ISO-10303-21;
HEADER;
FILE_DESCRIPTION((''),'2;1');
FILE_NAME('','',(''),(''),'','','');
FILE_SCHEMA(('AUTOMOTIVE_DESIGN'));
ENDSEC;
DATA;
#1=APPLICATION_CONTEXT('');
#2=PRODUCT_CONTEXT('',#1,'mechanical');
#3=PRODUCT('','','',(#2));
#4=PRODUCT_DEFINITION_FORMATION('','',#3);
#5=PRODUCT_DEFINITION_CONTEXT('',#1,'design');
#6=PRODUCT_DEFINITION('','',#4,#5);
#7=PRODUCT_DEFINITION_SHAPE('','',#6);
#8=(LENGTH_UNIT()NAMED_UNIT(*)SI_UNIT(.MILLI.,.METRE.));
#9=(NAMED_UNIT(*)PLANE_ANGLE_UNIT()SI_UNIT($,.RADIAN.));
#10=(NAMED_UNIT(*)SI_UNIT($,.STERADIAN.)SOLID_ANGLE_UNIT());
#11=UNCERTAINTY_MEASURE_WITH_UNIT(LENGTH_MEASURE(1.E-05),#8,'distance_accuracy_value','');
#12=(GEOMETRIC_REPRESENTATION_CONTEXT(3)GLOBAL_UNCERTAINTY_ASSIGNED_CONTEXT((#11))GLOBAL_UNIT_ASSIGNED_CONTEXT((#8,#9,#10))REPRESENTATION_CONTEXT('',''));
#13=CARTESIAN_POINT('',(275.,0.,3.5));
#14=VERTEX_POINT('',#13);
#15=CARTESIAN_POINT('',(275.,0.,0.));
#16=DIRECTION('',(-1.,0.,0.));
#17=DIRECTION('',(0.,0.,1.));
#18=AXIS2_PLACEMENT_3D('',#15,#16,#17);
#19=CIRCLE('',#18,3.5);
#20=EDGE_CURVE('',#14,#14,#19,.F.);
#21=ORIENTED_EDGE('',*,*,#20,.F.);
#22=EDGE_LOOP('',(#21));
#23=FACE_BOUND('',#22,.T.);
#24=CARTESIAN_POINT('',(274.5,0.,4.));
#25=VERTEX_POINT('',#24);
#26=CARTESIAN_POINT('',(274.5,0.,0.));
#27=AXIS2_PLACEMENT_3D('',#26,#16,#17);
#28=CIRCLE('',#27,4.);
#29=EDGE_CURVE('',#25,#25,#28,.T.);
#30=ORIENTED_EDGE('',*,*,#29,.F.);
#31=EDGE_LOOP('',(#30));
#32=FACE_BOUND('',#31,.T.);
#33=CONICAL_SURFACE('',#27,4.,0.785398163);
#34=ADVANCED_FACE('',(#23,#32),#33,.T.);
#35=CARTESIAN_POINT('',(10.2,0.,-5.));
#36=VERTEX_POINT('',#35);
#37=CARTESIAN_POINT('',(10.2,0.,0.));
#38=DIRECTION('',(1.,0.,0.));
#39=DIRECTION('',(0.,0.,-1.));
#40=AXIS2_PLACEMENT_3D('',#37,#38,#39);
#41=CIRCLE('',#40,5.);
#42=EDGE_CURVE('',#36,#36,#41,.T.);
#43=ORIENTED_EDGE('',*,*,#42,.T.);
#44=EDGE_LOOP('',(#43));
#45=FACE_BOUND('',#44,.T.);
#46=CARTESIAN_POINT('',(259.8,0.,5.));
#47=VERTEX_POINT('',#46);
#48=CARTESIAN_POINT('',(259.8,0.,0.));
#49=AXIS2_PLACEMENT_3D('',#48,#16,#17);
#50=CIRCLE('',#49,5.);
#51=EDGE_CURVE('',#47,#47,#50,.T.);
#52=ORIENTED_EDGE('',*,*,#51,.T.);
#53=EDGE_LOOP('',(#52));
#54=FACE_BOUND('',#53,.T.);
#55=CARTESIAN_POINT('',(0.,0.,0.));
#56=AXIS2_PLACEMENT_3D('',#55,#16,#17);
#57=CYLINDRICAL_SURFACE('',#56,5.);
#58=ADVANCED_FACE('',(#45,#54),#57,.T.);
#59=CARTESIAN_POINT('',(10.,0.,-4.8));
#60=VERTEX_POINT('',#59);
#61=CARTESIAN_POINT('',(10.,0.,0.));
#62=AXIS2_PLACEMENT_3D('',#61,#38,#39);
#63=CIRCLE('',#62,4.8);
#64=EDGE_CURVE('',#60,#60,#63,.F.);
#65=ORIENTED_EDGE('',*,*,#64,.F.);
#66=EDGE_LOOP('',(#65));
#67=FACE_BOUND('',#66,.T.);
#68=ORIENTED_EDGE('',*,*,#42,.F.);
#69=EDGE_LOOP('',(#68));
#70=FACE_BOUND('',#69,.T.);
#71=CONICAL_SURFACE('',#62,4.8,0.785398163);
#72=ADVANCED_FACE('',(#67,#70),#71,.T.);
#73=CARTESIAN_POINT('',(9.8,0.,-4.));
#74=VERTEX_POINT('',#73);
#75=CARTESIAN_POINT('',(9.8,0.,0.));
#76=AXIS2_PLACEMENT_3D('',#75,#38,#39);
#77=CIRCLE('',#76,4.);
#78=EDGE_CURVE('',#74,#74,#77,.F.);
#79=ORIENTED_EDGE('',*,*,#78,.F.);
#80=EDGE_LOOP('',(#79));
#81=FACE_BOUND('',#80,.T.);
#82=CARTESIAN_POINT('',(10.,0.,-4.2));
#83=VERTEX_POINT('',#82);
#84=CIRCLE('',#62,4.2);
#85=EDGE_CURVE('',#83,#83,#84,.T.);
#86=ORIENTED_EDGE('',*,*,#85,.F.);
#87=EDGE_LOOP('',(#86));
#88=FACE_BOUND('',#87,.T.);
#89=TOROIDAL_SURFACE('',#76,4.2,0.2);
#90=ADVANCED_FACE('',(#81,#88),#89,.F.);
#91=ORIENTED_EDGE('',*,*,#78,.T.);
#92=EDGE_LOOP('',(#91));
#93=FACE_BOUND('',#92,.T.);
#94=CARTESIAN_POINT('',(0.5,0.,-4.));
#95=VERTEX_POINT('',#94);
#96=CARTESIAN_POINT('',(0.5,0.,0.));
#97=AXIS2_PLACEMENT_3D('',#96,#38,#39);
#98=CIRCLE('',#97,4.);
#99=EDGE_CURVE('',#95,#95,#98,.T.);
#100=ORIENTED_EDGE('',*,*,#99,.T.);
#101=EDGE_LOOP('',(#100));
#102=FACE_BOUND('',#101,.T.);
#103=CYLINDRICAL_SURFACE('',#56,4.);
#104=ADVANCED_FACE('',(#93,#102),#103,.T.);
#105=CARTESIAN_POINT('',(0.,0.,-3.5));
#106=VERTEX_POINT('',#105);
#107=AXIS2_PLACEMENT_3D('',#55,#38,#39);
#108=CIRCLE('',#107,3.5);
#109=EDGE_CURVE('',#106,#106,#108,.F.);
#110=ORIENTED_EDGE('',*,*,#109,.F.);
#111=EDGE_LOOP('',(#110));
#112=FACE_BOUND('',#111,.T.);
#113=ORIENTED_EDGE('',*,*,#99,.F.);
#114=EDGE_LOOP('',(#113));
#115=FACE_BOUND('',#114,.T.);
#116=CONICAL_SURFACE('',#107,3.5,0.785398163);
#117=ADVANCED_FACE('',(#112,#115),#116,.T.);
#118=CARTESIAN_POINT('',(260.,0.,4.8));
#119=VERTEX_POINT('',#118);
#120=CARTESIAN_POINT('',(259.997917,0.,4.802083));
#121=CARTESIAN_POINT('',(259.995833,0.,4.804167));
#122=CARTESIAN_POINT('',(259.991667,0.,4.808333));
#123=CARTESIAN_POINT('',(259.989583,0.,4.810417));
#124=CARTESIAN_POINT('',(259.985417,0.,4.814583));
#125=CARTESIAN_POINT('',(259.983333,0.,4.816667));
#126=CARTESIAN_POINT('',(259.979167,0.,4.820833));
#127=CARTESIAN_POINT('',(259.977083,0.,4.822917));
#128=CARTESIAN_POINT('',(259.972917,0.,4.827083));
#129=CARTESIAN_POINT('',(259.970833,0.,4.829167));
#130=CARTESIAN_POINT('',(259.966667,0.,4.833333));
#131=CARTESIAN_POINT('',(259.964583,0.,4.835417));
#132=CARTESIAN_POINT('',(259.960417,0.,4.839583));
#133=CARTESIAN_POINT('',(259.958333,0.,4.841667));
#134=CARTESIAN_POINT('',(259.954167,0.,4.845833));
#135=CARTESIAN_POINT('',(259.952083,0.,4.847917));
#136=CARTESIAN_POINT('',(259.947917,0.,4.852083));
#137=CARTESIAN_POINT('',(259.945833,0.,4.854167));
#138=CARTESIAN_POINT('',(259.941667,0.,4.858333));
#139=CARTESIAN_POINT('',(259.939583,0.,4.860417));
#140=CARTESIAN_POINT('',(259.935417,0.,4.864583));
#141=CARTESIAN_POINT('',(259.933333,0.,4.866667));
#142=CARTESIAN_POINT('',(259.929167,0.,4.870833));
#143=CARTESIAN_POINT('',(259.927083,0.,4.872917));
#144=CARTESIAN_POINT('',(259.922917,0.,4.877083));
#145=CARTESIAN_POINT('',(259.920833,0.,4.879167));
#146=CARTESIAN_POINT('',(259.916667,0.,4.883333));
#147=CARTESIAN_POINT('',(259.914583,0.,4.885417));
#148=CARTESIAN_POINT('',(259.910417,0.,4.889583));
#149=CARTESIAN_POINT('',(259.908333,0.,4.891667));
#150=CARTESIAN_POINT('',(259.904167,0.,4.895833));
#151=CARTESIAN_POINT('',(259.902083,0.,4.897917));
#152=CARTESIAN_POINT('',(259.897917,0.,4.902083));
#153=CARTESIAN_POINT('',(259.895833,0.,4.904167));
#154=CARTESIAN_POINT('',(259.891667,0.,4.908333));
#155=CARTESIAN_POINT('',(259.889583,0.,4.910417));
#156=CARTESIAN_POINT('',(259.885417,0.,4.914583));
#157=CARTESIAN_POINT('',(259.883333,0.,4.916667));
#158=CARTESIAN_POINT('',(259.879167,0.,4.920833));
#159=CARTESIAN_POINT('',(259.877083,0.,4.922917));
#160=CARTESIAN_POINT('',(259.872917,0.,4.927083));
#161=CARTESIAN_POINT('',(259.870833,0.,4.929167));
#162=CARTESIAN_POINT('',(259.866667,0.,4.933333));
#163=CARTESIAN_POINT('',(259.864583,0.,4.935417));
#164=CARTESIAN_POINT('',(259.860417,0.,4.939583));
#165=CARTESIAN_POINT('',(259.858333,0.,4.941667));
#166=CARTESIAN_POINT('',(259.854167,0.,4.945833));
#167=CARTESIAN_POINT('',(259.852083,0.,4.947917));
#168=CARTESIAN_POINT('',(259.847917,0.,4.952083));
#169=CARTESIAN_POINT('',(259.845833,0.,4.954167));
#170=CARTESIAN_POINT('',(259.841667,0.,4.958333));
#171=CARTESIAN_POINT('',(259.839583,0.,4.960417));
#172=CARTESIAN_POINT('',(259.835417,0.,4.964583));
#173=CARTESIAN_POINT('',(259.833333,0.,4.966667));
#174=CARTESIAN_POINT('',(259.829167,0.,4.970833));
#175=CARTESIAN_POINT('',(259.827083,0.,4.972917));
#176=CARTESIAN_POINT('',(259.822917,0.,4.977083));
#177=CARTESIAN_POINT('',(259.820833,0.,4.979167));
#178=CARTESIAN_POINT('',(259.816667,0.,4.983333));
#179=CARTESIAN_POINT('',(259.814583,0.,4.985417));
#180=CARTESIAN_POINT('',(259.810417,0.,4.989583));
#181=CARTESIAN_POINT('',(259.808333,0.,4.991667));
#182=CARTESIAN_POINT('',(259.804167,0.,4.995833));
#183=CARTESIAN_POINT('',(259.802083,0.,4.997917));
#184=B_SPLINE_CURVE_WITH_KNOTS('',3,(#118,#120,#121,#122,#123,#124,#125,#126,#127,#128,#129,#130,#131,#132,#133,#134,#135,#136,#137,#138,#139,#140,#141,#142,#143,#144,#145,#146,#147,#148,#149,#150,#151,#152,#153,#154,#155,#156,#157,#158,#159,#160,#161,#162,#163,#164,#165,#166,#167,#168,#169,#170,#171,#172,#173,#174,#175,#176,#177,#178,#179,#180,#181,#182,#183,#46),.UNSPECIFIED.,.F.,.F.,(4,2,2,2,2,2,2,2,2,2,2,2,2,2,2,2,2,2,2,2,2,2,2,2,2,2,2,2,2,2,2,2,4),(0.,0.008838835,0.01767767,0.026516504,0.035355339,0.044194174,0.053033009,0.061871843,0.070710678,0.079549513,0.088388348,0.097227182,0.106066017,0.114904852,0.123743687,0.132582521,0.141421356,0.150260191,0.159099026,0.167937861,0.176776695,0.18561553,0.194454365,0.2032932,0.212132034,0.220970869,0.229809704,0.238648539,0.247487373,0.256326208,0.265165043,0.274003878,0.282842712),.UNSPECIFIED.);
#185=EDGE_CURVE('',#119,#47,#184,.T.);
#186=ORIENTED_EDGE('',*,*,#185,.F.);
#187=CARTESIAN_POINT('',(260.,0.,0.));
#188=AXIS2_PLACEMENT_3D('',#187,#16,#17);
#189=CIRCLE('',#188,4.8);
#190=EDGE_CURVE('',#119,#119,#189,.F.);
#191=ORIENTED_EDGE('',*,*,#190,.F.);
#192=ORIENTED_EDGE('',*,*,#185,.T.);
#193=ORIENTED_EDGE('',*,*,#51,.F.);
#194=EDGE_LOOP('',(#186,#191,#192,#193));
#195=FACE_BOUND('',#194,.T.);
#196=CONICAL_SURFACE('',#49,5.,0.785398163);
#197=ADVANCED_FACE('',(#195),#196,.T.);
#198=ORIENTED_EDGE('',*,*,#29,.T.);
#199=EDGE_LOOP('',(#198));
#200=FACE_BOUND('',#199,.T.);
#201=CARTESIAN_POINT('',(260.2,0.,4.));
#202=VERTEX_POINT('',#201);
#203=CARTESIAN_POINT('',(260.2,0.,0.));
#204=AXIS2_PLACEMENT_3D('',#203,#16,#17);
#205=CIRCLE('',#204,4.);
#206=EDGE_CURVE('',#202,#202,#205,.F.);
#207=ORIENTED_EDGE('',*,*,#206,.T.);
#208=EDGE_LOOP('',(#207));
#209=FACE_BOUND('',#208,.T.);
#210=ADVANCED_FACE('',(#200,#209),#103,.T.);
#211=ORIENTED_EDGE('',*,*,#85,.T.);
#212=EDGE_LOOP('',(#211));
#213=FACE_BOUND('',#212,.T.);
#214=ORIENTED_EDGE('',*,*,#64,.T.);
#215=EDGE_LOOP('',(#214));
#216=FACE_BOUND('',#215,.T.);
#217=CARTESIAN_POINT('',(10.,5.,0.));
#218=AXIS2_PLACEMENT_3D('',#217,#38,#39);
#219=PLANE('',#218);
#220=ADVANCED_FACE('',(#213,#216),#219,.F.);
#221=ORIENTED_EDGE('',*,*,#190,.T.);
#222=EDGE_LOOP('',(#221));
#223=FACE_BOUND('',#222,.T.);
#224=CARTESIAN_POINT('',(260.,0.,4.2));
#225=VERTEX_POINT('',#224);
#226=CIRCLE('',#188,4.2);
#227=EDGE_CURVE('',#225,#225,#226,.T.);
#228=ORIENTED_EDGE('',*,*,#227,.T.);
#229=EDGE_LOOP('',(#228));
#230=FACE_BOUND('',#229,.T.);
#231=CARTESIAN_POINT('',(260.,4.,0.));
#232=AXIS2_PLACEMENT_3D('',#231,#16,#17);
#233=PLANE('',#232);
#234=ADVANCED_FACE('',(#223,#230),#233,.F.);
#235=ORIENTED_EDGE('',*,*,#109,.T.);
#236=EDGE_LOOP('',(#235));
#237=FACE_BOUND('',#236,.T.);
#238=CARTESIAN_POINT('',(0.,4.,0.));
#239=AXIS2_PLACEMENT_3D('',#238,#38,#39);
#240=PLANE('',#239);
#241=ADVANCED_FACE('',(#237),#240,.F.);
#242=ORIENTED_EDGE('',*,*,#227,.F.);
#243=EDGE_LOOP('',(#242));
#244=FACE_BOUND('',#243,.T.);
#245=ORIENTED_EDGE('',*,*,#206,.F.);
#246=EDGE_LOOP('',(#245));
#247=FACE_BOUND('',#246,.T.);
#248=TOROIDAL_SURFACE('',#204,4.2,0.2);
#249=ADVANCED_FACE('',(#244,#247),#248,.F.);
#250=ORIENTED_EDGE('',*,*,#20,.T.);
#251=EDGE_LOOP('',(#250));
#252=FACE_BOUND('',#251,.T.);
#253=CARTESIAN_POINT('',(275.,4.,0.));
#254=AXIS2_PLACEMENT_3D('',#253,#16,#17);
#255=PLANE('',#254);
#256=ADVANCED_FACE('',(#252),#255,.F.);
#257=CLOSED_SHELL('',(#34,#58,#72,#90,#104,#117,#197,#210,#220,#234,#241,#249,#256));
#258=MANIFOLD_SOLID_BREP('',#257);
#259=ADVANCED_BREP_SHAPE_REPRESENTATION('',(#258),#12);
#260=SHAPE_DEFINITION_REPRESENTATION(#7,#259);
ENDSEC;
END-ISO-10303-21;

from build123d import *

# Parameters (mm, degrees)
CHAMFER1_SIZE = 0.2
CHAMFER2_SIZE = 0.2
CHAMFER3_SIZE = 0.5
CHAMFER4_SIZE = 0.5
FILLET1_R     = 0.2
FILLET2_R     = 0.2


with BuildPart() as part:
    # Sketch1 → Revolve1 (revolve)
    with BuildSketch(Plane.XY):
        Polygon((0, 0), (275, 0), (275, 4), (260, 4), (260, 5), (10, 5), (10, 4), (0, 4), align=None)
    revolve(axis=Axis((0, 0, 0), (1, 0, 0)))

    # Chamfer1
    chamfer1_edges = [part.edges().sort_by_distance(p)[0] for p in [
        (260, -5, 0),
    ]]
    chamfer(chamfer1_edges, length=CHAMFER1_SIZE)

    # Chamfer2
    chamfer2_edges = [part.edges().sort_by_distance(p)[0] for p in [
        (10, -5, 0),
    ]]
    chamfer(chamfer2_edges, length=CHAMFER2_SIZE)

    # Chamfer3
    chamfer3_edges = [part.edges().sort_by_distance(p)[0] for p in [
        (0, -4, 0),
    ]]
    chamfer(chamfer3_edges, length=CHAMFER3_SIZE)

    # Chamfer4
    chamfer4_edges = [part.edges().sort_by_distance(p)[0] for p in [
        (275, -4, 0),
    ]]
    chamfer(chamfer4_edges, length=CHAMFER4_SIZE)

    # Fillet1
    fillet1_edges = [part.edges().sort_by_distance(p)[0] for p in [
        (10, -4, 0),
    ]]
    fillet(fillet1_edges, radius=FILLET1_R)

    # Fillet2
    fillet2_edges = [part.edges().sort_by_distance(p)[0] for p in [
        (260, -4, 0),
    ]]
    fillet(fillet2_edges, radius=FILLET2_R)


solid = part.part
